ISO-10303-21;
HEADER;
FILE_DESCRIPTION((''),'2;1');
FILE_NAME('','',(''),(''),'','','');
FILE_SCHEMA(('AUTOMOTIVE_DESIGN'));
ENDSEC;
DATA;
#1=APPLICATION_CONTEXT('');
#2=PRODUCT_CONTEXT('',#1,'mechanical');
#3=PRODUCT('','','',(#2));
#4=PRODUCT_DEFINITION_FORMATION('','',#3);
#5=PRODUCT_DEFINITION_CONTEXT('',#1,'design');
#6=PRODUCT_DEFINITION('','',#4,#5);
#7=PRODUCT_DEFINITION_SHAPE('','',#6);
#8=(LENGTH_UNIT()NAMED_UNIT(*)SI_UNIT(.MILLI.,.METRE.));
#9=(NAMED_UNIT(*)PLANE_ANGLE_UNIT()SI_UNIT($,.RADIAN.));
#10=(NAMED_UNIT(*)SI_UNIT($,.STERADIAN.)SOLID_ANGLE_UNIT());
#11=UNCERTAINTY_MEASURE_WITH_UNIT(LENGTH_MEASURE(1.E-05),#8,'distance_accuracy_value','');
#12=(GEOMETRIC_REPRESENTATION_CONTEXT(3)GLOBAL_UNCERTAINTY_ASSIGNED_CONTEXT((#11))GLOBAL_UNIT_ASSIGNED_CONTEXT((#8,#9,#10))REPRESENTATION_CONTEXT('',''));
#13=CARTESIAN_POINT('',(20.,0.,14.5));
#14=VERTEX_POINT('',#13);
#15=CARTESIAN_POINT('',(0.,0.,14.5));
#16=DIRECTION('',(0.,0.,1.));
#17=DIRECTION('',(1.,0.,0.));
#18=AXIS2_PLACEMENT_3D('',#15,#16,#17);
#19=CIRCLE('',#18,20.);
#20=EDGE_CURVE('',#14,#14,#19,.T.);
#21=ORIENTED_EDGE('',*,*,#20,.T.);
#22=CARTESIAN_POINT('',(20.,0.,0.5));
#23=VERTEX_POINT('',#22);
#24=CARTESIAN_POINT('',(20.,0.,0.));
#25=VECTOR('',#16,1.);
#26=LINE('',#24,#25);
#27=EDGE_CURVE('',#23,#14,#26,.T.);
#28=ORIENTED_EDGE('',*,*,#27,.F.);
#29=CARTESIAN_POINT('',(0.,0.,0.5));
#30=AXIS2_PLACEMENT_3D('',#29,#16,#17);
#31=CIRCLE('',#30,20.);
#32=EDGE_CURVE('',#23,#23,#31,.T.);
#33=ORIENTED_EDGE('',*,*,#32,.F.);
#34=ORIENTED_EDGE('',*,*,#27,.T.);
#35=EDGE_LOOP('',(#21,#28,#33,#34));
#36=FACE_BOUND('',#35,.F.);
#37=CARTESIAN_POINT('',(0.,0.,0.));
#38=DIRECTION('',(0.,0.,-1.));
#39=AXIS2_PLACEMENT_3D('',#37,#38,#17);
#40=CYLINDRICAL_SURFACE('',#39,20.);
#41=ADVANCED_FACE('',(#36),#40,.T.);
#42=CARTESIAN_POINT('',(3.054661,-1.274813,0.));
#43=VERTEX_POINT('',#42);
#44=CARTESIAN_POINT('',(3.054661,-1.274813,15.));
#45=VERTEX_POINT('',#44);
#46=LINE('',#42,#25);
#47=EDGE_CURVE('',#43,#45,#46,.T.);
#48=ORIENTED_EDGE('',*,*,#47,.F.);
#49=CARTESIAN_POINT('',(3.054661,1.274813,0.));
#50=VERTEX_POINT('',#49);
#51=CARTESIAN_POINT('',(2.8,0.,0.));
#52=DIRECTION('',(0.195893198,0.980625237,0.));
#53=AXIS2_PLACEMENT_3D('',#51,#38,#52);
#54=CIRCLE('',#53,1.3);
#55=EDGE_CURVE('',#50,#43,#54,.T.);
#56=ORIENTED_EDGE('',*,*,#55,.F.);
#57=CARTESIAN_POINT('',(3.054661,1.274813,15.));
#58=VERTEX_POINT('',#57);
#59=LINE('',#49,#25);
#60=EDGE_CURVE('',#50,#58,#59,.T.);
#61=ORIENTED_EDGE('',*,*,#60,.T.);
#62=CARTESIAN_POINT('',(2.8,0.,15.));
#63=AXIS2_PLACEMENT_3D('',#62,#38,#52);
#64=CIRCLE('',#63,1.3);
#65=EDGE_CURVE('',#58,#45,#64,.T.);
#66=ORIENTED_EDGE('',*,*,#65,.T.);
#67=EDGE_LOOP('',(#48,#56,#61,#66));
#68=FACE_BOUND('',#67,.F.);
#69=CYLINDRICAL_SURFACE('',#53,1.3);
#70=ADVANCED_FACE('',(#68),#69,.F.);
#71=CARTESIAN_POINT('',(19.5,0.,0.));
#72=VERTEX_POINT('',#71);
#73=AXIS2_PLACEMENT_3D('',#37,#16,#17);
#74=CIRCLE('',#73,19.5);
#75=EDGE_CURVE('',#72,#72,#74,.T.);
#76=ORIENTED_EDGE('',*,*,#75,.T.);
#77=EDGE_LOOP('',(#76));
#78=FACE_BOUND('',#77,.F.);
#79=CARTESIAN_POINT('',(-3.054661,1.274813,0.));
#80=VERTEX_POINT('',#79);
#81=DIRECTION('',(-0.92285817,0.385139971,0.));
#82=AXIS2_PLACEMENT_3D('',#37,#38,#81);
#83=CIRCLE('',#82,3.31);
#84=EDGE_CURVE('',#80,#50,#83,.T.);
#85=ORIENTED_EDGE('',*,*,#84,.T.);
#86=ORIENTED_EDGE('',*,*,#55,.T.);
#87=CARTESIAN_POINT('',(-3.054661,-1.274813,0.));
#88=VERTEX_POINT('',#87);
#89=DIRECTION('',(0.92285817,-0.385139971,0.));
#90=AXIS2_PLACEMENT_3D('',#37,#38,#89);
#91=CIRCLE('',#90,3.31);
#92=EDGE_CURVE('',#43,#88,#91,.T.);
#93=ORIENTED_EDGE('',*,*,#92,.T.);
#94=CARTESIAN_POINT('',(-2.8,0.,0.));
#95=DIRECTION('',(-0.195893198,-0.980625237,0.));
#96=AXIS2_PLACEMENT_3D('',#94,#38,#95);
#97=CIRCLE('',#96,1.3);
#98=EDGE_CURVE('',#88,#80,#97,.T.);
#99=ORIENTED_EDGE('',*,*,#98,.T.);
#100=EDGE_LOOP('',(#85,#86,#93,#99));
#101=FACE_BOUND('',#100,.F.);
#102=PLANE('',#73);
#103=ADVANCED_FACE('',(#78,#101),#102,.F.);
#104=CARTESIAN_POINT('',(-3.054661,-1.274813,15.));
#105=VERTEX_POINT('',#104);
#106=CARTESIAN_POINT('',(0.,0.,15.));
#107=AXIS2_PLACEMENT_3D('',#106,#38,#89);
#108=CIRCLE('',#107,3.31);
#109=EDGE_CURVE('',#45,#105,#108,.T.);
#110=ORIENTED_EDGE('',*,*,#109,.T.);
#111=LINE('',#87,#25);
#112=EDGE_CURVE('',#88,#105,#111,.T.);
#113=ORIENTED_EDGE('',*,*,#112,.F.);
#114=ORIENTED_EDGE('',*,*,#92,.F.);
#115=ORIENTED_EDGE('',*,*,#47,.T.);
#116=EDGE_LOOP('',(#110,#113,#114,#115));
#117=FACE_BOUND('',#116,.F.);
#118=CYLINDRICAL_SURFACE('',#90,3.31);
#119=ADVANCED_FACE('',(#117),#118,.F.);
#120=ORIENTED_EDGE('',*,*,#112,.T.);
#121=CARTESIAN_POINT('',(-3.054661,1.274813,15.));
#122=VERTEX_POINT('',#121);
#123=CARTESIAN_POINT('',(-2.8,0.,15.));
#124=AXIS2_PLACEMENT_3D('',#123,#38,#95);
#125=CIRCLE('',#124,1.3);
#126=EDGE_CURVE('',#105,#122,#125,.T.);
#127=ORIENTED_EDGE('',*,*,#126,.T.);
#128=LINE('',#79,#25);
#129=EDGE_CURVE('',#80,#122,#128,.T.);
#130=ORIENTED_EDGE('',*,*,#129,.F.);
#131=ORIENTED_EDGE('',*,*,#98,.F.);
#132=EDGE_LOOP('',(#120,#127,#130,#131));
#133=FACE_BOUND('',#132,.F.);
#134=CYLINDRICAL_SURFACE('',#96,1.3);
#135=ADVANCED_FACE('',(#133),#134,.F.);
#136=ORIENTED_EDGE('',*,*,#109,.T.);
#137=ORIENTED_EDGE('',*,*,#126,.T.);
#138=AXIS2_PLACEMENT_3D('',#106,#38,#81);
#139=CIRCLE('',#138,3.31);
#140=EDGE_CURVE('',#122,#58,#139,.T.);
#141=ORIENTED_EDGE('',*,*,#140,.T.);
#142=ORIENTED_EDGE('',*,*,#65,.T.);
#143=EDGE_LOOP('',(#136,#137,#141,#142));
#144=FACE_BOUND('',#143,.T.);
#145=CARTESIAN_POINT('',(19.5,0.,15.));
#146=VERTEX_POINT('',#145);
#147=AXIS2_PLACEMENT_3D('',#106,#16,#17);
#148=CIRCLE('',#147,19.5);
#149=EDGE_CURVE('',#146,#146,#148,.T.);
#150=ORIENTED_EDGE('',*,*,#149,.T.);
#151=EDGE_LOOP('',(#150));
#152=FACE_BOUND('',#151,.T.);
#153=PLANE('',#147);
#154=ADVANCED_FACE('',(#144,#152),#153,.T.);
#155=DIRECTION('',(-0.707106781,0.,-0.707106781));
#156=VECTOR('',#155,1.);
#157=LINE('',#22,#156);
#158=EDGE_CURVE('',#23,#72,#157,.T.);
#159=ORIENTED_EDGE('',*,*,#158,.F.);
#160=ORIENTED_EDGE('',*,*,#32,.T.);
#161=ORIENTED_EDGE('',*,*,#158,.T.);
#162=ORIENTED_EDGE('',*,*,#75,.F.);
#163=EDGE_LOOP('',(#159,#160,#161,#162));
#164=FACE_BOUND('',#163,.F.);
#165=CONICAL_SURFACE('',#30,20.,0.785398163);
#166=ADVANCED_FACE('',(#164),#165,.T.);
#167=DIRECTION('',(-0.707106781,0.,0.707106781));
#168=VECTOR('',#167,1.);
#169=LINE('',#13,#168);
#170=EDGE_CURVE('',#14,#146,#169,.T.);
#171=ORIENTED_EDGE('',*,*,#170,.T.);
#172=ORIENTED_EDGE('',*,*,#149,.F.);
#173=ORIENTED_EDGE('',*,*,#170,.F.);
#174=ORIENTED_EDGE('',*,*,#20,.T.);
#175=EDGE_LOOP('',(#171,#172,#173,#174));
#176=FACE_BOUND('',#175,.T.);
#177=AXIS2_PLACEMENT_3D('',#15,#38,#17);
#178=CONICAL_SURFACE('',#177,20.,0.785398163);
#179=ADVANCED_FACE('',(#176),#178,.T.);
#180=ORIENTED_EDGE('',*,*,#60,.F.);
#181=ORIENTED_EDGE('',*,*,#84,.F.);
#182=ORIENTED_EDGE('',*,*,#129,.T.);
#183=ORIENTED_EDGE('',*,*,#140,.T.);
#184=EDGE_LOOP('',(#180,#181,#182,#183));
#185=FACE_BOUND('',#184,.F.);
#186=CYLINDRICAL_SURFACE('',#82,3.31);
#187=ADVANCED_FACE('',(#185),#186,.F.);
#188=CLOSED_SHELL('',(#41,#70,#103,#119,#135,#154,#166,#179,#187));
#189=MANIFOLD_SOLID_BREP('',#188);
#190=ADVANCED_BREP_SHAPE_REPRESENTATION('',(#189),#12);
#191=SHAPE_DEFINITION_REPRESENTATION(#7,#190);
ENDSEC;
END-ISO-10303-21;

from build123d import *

# Parameters (mm, degrees)
F0_R     = 20
F1_DEPTH = 15
F2_SIZE  = 0.5


with BuildPart() as f1:
    # F0 (on Top) → F1 (new body)
    with BuildSketch(Plane.XY):
        Circle(F0_R)
        with BuildLine():
            ThreePointArc((3.054661, -1.274813), (0, -3.31), (-3.054661, -1.274813))
            ThreePointArc((-3.054661, -1.274813), (-4.1, 0), (-3.054661, 1.274813))
            ThreePointArc((-3.054661, 1.274813), (0, 3.31), (3.054661, 1.274813))
            ThreePointArc((3.054661, 1.274813), (4.1, 0), (3.054661, -1.274813))
        make_face(mode=Mode.SUBTRACT)
    extrude(amount=F1_DEPTH)

    # F2
    f2_edges = [f1.edges().sort_by_distance(p)[0] for p in [
        (-20, 0, 15),
        (-20, 0, 0),
    ]]
    chamfer(f2_edges, length=F2_SIZE)


solid = f1.part
